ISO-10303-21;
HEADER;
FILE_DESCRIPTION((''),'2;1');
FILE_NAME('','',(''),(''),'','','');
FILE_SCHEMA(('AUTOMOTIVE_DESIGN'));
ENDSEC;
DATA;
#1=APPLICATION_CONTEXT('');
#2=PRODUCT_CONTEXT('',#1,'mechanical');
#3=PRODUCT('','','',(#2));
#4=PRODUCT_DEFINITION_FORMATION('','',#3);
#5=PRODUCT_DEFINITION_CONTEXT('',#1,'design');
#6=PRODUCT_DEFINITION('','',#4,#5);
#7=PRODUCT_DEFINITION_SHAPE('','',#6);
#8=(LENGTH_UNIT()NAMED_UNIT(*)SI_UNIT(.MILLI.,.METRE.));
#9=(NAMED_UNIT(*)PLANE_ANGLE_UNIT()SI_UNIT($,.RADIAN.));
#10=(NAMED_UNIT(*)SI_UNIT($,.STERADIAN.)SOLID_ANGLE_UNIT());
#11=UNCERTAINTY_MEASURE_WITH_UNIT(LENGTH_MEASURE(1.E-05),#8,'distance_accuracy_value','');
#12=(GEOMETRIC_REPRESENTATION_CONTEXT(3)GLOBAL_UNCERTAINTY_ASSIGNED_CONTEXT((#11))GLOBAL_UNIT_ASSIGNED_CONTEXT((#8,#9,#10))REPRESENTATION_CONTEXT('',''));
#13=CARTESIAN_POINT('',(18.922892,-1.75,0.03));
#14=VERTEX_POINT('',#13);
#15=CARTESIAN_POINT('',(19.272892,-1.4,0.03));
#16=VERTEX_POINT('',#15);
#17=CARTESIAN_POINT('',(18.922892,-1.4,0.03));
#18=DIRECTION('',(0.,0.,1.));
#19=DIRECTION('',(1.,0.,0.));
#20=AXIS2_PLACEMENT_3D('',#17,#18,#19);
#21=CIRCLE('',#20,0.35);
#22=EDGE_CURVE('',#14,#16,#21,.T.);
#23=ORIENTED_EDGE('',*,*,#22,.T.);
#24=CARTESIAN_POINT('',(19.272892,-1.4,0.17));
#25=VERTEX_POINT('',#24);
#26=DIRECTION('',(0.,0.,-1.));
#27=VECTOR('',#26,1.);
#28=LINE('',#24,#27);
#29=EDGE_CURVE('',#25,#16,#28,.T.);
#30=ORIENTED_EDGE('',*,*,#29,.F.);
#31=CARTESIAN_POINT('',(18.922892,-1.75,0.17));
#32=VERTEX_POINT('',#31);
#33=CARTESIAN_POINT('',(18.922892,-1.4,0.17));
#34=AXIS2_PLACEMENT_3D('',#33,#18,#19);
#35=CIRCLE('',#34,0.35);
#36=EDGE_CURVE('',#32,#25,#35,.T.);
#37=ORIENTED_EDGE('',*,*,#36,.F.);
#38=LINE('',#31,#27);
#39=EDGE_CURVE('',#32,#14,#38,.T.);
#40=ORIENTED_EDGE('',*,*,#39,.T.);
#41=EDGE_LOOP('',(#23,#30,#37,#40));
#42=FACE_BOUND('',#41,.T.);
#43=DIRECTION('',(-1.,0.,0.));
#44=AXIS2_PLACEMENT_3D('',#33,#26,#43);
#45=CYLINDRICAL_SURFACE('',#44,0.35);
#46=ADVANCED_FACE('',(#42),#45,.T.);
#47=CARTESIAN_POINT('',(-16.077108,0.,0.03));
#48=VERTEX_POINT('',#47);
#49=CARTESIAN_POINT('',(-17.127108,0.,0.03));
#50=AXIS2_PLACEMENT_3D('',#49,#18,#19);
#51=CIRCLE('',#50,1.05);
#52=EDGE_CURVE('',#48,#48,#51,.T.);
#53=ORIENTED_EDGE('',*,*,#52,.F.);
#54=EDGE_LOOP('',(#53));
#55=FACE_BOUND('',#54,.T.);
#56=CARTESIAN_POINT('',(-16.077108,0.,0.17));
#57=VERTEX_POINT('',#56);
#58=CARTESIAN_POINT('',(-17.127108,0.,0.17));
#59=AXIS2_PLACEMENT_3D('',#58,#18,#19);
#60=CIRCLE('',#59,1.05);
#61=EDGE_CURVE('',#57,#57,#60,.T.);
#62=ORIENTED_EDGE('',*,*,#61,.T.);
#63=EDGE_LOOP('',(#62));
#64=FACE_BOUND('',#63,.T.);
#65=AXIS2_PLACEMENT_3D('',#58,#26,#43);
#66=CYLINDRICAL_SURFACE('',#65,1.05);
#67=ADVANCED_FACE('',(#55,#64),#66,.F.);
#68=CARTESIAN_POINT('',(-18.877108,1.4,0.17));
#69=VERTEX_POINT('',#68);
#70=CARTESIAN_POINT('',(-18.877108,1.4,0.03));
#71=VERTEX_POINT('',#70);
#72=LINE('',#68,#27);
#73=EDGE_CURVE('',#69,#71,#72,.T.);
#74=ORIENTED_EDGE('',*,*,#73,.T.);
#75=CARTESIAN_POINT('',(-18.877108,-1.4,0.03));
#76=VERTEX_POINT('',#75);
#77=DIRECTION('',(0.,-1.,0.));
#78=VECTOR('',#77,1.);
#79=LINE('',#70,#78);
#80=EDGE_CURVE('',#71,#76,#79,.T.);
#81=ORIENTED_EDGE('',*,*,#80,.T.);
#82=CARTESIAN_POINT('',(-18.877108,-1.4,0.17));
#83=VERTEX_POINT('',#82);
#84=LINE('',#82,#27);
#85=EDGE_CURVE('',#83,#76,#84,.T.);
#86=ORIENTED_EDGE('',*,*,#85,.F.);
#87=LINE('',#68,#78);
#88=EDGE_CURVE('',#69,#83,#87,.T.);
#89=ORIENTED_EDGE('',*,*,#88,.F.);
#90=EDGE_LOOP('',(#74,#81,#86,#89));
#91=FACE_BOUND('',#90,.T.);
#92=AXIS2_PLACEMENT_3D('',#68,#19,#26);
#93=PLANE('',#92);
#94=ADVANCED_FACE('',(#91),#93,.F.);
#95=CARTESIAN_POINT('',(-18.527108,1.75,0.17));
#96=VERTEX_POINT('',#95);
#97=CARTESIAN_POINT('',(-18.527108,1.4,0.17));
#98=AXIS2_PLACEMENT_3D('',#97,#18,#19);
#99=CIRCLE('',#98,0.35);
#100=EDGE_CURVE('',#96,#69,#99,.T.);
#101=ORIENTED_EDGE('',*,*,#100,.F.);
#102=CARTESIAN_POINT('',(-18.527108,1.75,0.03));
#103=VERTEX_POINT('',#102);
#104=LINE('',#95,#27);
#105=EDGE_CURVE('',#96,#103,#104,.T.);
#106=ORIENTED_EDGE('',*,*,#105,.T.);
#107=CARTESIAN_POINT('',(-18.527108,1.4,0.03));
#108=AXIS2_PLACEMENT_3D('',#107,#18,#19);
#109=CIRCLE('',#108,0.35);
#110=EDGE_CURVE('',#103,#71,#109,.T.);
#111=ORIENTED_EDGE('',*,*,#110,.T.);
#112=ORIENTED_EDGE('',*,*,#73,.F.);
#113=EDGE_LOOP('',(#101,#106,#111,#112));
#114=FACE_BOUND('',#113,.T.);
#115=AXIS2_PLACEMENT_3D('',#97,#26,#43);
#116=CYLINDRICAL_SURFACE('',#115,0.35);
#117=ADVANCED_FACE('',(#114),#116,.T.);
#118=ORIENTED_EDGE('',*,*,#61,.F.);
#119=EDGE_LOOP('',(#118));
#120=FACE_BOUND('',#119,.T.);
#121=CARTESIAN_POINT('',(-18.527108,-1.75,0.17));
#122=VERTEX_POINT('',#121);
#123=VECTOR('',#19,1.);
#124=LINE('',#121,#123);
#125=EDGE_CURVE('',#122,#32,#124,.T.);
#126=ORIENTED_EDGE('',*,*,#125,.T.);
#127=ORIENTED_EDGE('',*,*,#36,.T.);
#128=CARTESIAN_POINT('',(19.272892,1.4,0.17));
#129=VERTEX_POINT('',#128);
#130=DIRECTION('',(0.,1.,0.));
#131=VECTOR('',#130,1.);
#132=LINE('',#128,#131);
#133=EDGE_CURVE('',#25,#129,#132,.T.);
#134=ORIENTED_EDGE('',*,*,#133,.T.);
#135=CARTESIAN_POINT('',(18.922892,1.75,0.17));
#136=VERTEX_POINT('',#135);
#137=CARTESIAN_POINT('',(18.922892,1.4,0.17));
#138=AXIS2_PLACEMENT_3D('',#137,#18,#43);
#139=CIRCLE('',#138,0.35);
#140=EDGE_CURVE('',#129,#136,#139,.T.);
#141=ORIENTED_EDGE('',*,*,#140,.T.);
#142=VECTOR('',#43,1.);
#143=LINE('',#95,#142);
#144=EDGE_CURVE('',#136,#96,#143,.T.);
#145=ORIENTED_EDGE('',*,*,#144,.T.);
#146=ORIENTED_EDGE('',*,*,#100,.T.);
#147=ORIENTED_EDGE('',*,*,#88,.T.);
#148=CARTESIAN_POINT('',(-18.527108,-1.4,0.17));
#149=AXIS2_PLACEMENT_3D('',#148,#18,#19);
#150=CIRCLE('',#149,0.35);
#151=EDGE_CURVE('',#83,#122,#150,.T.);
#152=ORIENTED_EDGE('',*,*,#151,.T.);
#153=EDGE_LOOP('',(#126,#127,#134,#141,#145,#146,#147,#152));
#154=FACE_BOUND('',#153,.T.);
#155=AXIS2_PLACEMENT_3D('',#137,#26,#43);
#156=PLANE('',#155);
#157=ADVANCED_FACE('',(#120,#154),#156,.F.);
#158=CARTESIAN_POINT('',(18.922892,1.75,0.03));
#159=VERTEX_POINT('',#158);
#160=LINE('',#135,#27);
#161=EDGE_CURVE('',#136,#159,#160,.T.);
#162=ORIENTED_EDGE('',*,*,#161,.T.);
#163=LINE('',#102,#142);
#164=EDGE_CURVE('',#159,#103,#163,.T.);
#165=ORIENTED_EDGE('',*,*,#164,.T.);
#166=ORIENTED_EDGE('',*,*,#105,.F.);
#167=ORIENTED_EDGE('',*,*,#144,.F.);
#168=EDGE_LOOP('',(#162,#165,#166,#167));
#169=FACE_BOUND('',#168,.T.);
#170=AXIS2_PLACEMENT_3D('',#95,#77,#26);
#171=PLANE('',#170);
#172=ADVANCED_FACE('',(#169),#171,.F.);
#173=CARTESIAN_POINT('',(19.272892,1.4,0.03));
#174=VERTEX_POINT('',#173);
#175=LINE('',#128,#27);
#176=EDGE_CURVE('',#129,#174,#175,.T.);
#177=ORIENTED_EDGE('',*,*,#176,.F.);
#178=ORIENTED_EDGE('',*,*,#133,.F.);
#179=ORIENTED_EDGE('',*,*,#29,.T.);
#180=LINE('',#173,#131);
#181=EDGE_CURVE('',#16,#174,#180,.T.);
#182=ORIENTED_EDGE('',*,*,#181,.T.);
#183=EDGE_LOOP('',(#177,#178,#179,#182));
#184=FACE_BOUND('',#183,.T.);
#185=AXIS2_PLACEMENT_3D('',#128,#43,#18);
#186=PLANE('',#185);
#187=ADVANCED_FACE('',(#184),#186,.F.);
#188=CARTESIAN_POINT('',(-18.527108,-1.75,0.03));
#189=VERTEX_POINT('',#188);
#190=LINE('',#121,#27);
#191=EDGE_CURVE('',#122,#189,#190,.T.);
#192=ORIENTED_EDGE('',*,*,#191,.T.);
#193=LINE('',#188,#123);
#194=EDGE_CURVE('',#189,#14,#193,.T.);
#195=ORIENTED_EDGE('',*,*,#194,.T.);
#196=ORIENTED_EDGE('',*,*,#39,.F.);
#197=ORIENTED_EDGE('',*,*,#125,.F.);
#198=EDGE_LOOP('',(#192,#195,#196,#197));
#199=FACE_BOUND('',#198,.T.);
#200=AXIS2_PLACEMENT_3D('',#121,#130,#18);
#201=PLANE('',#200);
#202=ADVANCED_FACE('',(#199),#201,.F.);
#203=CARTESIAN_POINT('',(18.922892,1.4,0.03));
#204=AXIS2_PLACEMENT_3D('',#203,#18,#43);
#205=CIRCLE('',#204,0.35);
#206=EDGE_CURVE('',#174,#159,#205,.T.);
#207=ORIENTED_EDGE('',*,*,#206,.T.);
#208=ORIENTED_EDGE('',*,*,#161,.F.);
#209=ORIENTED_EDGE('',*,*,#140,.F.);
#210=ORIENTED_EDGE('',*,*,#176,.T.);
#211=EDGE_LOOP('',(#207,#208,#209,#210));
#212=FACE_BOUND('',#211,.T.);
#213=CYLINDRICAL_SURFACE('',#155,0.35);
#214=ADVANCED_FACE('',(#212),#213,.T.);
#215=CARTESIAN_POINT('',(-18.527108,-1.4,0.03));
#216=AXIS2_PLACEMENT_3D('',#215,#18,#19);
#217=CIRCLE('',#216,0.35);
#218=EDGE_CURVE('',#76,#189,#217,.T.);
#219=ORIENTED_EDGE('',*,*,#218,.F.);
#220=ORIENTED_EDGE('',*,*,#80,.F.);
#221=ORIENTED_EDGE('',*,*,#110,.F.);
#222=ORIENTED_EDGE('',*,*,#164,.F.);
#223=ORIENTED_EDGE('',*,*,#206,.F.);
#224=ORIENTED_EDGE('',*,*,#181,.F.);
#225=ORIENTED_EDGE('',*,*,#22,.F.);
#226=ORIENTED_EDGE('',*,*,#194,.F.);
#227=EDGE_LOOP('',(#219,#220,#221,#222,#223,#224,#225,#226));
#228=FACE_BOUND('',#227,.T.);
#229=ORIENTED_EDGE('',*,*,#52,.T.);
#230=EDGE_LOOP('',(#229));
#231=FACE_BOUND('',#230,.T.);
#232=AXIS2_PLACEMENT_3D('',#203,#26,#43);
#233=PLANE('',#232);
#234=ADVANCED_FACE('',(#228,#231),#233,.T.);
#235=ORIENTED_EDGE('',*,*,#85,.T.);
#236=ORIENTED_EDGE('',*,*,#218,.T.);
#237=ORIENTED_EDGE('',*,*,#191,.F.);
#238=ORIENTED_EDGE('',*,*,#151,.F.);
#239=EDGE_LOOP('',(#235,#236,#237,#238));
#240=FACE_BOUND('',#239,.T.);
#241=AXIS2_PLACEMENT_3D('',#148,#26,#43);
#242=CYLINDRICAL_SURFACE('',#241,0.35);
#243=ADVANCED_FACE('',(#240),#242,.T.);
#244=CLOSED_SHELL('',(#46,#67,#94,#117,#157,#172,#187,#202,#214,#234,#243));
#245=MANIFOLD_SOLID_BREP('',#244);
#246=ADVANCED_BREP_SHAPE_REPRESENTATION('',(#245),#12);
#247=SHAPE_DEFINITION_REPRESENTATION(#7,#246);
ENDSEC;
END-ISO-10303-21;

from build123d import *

# Parameters (mm, degrees)
SKETCH1_R           = 1.5
BOSS_EXTRUDE1_DEPTH = 0.2
SCALE6_SCALE        = 0.7


with BuildPart() as part:
    # Sketch1 → Boss-Extrude1 (new body)
    with BuildSketch(Plane.XY):
        with BuildLine():
            Line((-26.75, 2.5), (26.75, 2.5))
            ThreePointArc((26.75, 2.5), (27.103553391, 2.353553391), (27.25, 2))
            Line((27.25, 2), (27.25, -2))
            ThreePointArc((27.25, -2), (27.103553391, -2.353553391), (26.75, -2.5))
            Line((26.75, -2.5), (-26.75, -2.5))
            ThreePointArc((-26.75, -2.5), (-27.103553391, -2.353553391), (-27.25, -2))
            Line((-27.25, -2), (-27.25, 2))
            ThreePointArc((-27.25, 2), (-27.103553391, 2.353553391), (-26.75, 2.5))
        make_face()
        with Locations((-24.75, 0)):
            Circle(SKETCH1_R, mode=Mode.SUBTRACT)
    extrude(amount=BOSS_EXTRUDE1_DEPTH)


with BuildPart() as part_1:
    # Scale6: scaled about (0.659639326, 0, 0.1)
    add(part.part.scale(SCALE6_SCALE).moved(Location((0.197891798, 0, 0.03))))


solid = part_1.part
